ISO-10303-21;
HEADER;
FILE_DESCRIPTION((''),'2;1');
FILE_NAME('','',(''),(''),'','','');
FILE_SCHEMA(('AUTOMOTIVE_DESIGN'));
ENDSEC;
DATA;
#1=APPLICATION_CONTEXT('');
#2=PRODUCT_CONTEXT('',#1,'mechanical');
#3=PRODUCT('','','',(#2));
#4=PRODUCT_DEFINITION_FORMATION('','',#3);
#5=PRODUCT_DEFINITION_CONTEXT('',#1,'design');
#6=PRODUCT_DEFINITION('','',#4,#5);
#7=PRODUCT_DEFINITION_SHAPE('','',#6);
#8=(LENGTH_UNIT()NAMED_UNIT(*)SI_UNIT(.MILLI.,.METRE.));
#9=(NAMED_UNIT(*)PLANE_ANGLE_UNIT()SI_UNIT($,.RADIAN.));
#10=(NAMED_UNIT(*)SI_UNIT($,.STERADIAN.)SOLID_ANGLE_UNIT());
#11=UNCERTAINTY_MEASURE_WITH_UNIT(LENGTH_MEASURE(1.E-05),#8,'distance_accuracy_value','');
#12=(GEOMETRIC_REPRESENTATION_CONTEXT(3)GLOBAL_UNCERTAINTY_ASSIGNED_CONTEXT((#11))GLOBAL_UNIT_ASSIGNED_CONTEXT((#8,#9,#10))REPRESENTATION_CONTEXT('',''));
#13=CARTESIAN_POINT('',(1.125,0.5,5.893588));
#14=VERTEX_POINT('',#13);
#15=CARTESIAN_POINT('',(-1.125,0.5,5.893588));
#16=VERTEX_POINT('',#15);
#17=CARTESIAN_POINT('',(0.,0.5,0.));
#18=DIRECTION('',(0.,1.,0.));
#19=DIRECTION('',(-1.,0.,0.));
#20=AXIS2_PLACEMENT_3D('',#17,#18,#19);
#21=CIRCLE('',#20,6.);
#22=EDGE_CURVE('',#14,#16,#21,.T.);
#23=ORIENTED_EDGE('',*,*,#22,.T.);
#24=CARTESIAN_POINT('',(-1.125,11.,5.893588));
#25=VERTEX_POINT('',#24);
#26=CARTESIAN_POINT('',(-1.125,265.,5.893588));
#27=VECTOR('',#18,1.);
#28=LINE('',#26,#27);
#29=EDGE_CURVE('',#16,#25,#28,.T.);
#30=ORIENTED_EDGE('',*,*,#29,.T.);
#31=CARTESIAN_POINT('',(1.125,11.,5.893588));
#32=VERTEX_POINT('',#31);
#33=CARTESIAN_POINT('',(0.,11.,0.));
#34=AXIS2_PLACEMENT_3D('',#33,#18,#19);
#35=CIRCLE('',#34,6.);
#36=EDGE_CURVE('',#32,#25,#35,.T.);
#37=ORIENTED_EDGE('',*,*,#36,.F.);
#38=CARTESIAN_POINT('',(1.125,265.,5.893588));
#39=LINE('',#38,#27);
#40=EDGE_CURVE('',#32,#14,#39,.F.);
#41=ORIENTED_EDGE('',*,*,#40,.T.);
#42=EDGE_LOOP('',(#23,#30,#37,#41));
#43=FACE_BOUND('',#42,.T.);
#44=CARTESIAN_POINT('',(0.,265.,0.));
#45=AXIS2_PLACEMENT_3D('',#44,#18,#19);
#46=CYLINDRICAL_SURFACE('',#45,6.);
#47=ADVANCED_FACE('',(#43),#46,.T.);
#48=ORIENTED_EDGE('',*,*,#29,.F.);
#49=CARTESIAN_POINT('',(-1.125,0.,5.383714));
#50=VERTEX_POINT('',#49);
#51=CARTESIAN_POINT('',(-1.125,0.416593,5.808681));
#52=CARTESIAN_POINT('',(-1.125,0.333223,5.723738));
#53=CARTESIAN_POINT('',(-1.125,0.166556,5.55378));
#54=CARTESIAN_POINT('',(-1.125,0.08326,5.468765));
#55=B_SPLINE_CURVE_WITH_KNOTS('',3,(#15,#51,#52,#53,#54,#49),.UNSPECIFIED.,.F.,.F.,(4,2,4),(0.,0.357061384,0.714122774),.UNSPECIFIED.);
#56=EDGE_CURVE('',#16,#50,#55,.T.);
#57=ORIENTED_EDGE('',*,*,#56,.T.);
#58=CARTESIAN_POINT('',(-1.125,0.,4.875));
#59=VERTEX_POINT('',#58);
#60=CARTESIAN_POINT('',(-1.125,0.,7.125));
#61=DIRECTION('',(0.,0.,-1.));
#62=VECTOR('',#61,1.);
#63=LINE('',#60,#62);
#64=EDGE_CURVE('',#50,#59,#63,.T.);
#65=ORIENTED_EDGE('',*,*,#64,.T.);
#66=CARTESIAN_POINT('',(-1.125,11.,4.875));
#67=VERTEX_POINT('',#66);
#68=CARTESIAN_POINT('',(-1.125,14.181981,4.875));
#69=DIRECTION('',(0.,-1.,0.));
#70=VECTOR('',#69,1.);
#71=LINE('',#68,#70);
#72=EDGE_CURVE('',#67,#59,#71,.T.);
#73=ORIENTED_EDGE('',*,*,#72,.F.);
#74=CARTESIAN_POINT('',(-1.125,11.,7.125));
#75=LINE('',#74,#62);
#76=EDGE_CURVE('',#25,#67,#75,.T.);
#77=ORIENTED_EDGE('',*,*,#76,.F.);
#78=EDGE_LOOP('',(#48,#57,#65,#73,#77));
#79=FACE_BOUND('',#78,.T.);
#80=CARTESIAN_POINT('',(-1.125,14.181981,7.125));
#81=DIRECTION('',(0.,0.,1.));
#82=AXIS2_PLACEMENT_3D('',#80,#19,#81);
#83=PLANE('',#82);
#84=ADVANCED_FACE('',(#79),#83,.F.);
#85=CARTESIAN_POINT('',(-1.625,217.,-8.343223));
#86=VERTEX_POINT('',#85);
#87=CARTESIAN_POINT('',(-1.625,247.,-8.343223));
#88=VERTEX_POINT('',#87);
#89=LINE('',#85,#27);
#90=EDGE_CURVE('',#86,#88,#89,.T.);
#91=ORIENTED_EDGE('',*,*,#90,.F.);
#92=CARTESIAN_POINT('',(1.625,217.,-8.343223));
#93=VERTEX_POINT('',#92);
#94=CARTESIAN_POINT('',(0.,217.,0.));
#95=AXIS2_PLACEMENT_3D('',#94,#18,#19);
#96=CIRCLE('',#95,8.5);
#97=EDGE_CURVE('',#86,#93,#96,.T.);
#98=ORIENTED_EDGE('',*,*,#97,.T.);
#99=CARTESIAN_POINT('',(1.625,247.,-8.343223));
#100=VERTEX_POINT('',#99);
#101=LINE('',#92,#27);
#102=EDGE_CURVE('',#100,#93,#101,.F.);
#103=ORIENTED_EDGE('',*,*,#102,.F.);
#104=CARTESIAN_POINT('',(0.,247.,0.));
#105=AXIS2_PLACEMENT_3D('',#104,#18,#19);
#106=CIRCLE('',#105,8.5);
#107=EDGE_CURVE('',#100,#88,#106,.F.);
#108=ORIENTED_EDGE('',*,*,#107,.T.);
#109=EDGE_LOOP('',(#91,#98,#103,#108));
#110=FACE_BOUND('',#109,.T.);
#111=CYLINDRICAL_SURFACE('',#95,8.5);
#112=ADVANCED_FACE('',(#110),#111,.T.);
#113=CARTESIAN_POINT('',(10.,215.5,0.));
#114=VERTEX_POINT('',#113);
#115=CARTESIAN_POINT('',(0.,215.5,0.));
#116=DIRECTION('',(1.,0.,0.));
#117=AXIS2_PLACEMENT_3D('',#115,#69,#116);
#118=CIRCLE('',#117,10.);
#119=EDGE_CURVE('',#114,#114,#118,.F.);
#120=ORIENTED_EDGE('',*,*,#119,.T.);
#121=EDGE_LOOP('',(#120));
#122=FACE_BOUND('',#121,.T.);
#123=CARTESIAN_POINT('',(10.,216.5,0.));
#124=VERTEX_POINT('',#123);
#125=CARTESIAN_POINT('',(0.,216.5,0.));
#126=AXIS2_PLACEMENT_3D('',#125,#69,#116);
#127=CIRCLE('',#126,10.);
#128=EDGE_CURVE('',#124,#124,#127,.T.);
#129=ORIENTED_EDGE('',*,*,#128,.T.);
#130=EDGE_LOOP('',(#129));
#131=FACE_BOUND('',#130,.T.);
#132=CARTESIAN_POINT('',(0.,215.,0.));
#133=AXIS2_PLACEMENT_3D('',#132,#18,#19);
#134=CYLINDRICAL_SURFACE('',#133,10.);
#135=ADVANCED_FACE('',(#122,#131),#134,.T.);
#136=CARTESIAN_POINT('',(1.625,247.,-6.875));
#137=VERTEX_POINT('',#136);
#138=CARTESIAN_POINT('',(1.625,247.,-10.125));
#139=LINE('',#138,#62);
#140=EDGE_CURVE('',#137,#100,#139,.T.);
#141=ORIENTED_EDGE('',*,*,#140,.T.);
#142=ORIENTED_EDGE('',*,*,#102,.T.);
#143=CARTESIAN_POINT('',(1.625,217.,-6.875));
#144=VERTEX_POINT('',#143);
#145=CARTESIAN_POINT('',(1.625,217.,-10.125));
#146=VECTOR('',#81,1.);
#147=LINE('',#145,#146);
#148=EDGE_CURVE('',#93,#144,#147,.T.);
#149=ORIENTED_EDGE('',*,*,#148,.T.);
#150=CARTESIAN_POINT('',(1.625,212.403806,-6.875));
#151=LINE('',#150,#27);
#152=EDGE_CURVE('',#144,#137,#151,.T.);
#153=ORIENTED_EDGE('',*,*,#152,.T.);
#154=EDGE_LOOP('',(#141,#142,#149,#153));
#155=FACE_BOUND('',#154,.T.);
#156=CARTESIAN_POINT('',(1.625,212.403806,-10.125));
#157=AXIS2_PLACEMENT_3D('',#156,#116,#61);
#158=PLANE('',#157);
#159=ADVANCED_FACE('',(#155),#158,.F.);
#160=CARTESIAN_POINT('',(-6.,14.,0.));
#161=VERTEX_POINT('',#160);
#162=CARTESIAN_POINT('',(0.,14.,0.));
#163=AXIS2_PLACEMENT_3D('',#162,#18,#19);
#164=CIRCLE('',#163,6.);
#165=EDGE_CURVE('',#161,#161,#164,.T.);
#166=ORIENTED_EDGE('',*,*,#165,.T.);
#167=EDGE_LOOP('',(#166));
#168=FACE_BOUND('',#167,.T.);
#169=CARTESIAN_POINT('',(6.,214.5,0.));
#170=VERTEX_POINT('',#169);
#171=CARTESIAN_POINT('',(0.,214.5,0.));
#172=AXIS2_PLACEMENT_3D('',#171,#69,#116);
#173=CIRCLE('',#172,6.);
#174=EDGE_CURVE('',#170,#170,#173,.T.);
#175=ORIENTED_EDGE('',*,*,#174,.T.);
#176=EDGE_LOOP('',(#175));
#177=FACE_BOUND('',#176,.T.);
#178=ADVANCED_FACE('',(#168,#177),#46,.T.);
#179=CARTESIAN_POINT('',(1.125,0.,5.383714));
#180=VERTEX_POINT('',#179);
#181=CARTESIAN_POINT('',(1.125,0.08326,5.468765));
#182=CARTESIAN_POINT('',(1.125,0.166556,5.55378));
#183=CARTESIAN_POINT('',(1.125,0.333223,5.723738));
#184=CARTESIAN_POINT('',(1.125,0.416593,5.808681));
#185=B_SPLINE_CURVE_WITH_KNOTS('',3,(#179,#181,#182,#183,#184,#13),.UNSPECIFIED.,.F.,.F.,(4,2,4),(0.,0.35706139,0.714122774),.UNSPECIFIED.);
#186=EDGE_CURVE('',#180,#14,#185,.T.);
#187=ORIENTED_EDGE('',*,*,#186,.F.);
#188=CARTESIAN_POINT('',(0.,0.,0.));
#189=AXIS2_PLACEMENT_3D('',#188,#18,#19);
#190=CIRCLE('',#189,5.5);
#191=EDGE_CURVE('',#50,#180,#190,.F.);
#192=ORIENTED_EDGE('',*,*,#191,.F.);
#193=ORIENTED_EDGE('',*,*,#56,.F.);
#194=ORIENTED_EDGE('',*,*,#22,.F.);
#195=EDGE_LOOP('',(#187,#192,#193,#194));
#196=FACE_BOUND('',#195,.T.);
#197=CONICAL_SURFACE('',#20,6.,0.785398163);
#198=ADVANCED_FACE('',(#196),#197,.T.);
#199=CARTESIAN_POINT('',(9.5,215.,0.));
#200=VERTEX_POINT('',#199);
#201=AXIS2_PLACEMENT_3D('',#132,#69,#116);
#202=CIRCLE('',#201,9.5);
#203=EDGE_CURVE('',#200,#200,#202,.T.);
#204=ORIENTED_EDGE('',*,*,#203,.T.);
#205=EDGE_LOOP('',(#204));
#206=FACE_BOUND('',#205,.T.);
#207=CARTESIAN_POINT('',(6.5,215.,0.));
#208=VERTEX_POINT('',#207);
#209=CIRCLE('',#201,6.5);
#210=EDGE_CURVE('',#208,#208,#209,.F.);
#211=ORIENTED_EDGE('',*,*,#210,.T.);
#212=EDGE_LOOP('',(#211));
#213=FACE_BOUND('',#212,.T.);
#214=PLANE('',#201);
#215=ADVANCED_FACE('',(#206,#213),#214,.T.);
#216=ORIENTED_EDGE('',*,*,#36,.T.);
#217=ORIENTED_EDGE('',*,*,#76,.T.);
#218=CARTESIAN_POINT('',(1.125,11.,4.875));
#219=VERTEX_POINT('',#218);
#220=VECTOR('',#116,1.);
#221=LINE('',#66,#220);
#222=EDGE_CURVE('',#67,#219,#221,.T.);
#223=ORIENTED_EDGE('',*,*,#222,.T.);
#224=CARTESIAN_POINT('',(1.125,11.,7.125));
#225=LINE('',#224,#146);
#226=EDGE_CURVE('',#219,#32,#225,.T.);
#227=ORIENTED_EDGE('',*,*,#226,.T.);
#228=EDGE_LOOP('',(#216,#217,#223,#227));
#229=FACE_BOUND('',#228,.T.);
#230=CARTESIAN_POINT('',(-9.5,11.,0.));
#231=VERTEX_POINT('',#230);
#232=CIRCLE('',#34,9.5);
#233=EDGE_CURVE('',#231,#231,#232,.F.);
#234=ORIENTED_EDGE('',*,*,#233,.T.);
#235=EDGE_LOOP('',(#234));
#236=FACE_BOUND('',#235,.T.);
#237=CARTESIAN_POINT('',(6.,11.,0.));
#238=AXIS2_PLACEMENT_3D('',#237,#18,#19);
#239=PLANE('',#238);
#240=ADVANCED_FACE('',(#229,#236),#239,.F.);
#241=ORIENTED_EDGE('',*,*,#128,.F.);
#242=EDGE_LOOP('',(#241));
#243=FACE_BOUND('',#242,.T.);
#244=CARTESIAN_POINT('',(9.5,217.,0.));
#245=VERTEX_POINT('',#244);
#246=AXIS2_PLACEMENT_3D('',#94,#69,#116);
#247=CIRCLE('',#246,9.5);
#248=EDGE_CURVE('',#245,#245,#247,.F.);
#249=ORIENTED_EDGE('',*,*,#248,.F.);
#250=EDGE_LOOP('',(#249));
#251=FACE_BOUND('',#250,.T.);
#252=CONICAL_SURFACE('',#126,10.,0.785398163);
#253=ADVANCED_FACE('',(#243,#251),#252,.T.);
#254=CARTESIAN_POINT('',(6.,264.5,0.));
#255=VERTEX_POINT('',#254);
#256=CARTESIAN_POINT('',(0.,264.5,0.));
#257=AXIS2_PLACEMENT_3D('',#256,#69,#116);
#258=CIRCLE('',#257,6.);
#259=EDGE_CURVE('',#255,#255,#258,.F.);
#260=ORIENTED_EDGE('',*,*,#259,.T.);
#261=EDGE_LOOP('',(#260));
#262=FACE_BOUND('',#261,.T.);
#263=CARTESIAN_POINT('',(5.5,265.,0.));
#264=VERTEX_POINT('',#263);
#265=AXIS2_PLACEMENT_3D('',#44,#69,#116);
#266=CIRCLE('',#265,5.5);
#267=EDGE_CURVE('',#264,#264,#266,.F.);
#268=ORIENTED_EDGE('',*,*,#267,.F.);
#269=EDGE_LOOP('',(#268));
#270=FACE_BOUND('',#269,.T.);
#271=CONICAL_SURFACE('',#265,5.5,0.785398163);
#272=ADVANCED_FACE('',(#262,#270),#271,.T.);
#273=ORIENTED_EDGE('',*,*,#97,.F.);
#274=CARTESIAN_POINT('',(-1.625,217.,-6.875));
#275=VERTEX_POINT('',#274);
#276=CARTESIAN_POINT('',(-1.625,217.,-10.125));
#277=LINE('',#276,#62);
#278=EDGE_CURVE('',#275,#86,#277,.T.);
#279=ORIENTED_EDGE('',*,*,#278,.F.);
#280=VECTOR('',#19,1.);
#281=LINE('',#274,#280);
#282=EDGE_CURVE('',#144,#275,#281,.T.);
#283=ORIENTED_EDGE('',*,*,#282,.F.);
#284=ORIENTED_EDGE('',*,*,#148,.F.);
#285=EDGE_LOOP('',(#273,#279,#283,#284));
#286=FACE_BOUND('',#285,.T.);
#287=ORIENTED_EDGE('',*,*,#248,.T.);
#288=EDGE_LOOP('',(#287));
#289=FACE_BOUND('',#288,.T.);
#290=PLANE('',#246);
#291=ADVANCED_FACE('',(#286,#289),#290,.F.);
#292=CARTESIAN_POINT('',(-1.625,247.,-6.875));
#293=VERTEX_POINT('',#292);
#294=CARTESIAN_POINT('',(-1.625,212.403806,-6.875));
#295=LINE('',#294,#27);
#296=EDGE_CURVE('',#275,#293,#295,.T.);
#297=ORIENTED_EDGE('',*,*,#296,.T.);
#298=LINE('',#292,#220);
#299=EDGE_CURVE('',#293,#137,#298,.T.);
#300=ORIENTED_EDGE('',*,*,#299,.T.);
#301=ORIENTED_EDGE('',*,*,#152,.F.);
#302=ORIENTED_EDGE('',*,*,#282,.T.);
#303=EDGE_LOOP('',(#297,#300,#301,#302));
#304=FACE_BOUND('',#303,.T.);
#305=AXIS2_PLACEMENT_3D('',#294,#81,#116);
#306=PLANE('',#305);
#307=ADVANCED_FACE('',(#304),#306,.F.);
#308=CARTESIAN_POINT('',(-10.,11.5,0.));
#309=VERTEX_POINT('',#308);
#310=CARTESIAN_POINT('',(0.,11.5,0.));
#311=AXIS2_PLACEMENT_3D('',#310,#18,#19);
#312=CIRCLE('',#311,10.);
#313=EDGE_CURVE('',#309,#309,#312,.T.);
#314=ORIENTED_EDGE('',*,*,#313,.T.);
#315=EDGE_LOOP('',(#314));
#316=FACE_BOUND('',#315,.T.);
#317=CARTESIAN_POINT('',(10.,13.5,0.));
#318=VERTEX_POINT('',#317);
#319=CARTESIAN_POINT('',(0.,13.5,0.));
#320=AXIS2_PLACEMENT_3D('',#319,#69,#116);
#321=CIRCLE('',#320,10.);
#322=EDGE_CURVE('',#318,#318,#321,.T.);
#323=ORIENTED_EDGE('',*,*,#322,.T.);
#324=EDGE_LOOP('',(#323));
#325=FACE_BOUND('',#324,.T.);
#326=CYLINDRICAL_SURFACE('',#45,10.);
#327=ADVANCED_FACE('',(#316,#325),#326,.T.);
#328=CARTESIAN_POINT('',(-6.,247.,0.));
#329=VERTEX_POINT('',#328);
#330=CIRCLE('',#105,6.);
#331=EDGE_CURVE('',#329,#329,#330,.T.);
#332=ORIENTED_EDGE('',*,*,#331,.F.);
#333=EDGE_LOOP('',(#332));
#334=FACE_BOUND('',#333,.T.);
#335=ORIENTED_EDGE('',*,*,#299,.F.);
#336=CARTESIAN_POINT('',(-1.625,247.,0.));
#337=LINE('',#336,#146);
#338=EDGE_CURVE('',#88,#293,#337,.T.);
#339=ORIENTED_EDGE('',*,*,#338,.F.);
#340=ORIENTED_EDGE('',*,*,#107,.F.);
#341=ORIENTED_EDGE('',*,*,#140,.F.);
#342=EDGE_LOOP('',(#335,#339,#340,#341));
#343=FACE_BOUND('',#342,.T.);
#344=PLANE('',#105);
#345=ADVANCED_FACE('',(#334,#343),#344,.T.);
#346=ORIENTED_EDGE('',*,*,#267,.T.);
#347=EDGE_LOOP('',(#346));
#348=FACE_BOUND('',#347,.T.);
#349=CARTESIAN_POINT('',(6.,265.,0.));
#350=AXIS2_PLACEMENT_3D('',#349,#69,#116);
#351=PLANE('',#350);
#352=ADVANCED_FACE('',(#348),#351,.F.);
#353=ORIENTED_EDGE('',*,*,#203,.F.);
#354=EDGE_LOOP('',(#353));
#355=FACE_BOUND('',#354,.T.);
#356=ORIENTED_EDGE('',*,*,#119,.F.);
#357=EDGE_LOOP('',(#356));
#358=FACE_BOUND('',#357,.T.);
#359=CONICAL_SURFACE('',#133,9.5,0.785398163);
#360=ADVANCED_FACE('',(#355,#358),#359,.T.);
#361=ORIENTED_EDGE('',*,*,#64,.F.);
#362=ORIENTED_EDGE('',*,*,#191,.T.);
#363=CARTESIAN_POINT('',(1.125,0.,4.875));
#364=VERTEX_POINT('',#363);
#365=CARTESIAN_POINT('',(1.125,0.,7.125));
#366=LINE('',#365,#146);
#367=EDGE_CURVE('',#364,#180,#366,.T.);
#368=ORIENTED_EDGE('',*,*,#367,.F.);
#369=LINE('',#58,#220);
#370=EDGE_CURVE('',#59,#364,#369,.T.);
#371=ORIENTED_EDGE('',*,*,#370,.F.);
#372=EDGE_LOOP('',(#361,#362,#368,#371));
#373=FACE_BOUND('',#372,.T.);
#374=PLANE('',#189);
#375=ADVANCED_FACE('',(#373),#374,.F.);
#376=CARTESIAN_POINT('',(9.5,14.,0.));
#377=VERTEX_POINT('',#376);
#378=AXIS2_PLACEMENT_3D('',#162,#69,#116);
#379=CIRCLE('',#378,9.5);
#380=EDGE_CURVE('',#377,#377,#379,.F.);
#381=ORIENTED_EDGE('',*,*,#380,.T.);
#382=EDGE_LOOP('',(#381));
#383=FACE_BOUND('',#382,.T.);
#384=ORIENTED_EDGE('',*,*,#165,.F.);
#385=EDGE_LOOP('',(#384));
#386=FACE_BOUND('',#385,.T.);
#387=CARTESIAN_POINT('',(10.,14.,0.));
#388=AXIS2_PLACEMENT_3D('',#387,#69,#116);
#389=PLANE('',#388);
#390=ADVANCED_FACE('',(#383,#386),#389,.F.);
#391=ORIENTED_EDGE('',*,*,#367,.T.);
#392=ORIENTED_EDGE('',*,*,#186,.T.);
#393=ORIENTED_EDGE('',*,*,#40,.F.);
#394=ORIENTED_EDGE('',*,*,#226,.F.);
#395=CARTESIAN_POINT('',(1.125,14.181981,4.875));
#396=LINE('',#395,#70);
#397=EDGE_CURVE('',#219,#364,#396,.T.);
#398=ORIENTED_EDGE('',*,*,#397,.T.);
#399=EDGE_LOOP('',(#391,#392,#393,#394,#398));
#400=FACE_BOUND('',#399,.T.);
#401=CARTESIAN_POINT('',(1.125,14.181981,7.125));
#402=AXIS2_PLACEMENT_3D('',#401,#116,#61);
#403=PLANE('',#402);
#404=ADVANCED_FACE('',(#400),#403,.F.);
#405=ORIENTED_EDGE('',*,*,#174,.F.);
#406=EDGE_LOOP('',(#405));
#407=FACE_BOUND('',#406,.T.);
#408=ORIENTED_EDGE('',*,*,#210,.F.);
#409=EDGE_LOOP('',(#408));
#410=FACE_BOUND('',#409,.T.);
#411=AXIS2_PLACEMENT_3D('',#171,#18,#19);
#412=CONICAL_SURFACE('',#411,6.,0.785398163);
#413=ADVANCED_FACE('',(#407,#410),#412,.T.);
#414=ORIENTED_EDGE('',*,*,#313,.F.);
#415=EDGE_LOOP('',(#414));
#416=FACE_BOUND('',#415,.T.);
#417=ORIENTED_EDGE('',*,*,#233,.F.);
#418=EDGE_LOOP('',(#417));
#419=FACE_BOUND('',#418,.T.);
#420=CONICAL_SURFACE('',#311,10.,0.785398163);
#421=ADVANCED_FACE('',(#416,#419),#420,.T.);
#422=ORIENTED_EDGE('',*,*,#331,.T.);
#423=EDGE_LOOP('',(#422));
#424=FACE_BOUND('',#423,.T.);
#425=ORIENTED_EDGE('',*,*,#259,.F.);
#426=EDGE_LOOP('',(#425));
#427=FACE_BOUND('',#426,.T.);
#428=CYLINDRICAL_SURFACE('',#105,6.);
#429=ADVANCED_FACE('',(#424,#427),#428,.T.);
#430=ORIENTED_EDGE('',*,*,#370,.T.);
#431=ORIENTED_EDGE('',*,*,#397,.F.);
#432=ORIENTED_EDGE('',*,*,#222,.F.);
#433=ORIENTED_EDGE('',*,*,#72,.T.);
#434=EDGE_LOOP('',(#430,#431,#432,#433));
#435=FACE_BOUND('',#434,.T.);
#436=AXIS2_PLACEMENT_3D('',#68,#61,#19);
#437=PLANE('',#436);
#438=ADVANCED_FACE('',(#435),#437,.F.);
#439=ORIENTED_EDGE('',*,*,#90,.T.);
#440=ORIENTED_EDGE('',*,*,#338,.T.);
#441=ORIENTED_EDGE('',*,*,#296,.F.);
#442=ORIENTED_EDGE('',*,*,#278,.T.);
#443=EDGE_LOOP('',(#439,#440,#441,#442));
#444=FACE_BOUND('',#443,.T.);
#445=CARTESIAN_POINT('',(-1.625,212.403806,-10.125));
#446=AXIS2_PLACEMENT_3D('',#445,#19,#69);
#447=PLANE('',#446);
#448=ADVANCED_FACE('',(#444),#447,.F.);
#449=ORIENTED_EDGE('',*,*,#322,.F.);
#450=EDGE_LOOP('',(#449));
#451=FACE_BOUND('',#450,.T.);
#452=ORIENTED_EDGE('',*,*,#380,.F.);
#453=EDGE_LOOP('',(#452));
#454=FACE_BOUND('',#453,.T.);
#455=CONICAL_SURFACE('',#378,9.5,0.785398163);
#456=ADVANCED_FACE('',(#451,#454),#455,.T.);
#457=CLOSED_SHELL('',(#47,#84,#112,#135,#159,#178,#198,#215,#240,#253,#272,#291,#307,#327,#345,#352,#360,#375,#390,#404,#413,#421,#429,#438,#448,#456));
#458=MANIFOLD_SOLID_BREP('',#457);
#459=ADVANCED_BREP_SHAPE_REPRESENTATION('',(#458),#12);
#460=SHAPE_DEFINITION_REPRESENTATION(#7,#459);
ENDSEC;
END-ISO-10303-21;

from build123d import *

# Parameters (mm, degrees)
SKETCH3_W           = 2.25
SKETCH3_H           = 2.25
CUT_EXTRUDE1_DEPTH  = 11
CHAMFER1_SIZE       = 0.5
SKETCH4_R           = 8.5
SKETCH4_R_2         = 6
BOSS_EXTRUDE1_DEPTH = 48
SKETCH5_OUTSIDE_W   = 75.302
SKETCH5_OUTSIDE_H   = 75.302
SKETCH5_OUTSIDE_R   = 6
CUT_EXTRUDE2_DEPTH  = 18
SKETCH6_W           = 3.25
SKETCH6_H           = 3.25
CUT_EXTRUDE3_DEPTH  = 30
SKETCH7_R           = 10
SKETCH7_R_2         = 6
BOSS_EXTRUDE2_DEPTH = 2
CHAMFER2_SIZE       = 0.5


with BuildPart() as part:
    # Sketch2 → Revolve1 (revolve)
    with BuildSketch(Plane.XY, mode=Mode.PRIVATE) as revolve1_sk:
        Polygon((0, 0), (6, 0), (6, 11), (10, 11), (10, 14), (6, 14), (6, 265), (0, 265), align=None)
    revolve(revolve1_sk.sketch.rotate(Axis((0, 265, 0), (0, -1, 0)), 180), axis=Axis((0, 265, 0), (0, -1, 0)))

    # Sketch3 → Cut-Extrude1 (cut)
    with BuildSketch(Plane.XZ):
        with Locations((0, 6)):
            Rectangle(SKETCH3_W, SKETCH3_H)
    extrude(amount=-CUT_EXTRUDE1_DEPTH, mode=Mode.SUBTRACT)

    # Chamfer1
    chamfer1_edges = [part.edges().sort_by_distance(p)[0] for p in [
        (0, 0, -6),
        (6, 265, 0),
        (10, 14, 0),
        (10, 11, 0),
    ]]
    chamfer(chamfer1_edges, length=CHAMFER1_SIZE)

    # Sketch4 → Boss-Extrude1 (add)
    with BuildSketch(Plane(origin=(0, 265, 0), x_dir=(1, 0, 0), z_dir=(0, 1, 0))):
        with Locations(Location((0, 0, 0), (0, 0, 180))):
            Circle(SKETCH4_R)
        with Locations(Location((0, 0, 0), (0, 0, 180))):
            Circle(SKETCH4_R_2, mode=Mode.SUBTRACT)
    extrude(amount=-BOSS_EXTRUDE1_DEPTH)

    # Sketch5 outside → Cut-Extrude2 (cut)
    with BuildSketch(Plane(origin=(0, 265, 0), x_dir=(1, 0, 0), z_dir=(0, 1, 0))):
        Rectangle(SKETCH5_OUTSIDE_W, SKETCH5_OUTSIDE_H)
        with Locations(Location((0, 0, 0), (0, 0, 180))):
            Circle(SKETCH5_OUTSIDE_R, mode=Mode.SUBTRACT)
    extrude(amount=-CUT_EXTRUDE2_DEPTH, mode=Mode.SUBTRACT)

    # Sketch6 → Cut-Extrude3 (cut)
    with BuildSketch(Plane(origin=(0, 247, 0), x_dir=(1, 0, 0), z_dir=(0, 1, 0))):
        with Locations((0, 8.5)):
            Rectangle(SKETCH6_W, SKETCH6_H)
    extrude(amount=-CUT_EXTRUDE3_DEPTH, mode=Mode.SUBTRACT)

    # Sketch7 → Boss-Extrude2 (add)
    with BuildSketch(Plane.XZ.offset(-217)):
        with Locations(Location((0, 0, 0), (0, 0, 180))):
            Circle(SKETCH7_R)
        with Locations(Location((0, 0, 0), (0, 0, 180))):
            Circle(SKETCH7_R_2, mode=Mode.SUBTRACT)
    extrude(amount=BOSS_EXTRUDE2_DEPTH)

    # Chamfer2
    chamfer2_edges = [part.edges().sort_by_distance(p)[0] for p in [
        (10, 215, 0),
        (10, 217, 0),
        (6, 215, 0),
    ]]
    chamfer(chamfer2_edges, length=CHAMFER2_SIZE)


solid = part.part
